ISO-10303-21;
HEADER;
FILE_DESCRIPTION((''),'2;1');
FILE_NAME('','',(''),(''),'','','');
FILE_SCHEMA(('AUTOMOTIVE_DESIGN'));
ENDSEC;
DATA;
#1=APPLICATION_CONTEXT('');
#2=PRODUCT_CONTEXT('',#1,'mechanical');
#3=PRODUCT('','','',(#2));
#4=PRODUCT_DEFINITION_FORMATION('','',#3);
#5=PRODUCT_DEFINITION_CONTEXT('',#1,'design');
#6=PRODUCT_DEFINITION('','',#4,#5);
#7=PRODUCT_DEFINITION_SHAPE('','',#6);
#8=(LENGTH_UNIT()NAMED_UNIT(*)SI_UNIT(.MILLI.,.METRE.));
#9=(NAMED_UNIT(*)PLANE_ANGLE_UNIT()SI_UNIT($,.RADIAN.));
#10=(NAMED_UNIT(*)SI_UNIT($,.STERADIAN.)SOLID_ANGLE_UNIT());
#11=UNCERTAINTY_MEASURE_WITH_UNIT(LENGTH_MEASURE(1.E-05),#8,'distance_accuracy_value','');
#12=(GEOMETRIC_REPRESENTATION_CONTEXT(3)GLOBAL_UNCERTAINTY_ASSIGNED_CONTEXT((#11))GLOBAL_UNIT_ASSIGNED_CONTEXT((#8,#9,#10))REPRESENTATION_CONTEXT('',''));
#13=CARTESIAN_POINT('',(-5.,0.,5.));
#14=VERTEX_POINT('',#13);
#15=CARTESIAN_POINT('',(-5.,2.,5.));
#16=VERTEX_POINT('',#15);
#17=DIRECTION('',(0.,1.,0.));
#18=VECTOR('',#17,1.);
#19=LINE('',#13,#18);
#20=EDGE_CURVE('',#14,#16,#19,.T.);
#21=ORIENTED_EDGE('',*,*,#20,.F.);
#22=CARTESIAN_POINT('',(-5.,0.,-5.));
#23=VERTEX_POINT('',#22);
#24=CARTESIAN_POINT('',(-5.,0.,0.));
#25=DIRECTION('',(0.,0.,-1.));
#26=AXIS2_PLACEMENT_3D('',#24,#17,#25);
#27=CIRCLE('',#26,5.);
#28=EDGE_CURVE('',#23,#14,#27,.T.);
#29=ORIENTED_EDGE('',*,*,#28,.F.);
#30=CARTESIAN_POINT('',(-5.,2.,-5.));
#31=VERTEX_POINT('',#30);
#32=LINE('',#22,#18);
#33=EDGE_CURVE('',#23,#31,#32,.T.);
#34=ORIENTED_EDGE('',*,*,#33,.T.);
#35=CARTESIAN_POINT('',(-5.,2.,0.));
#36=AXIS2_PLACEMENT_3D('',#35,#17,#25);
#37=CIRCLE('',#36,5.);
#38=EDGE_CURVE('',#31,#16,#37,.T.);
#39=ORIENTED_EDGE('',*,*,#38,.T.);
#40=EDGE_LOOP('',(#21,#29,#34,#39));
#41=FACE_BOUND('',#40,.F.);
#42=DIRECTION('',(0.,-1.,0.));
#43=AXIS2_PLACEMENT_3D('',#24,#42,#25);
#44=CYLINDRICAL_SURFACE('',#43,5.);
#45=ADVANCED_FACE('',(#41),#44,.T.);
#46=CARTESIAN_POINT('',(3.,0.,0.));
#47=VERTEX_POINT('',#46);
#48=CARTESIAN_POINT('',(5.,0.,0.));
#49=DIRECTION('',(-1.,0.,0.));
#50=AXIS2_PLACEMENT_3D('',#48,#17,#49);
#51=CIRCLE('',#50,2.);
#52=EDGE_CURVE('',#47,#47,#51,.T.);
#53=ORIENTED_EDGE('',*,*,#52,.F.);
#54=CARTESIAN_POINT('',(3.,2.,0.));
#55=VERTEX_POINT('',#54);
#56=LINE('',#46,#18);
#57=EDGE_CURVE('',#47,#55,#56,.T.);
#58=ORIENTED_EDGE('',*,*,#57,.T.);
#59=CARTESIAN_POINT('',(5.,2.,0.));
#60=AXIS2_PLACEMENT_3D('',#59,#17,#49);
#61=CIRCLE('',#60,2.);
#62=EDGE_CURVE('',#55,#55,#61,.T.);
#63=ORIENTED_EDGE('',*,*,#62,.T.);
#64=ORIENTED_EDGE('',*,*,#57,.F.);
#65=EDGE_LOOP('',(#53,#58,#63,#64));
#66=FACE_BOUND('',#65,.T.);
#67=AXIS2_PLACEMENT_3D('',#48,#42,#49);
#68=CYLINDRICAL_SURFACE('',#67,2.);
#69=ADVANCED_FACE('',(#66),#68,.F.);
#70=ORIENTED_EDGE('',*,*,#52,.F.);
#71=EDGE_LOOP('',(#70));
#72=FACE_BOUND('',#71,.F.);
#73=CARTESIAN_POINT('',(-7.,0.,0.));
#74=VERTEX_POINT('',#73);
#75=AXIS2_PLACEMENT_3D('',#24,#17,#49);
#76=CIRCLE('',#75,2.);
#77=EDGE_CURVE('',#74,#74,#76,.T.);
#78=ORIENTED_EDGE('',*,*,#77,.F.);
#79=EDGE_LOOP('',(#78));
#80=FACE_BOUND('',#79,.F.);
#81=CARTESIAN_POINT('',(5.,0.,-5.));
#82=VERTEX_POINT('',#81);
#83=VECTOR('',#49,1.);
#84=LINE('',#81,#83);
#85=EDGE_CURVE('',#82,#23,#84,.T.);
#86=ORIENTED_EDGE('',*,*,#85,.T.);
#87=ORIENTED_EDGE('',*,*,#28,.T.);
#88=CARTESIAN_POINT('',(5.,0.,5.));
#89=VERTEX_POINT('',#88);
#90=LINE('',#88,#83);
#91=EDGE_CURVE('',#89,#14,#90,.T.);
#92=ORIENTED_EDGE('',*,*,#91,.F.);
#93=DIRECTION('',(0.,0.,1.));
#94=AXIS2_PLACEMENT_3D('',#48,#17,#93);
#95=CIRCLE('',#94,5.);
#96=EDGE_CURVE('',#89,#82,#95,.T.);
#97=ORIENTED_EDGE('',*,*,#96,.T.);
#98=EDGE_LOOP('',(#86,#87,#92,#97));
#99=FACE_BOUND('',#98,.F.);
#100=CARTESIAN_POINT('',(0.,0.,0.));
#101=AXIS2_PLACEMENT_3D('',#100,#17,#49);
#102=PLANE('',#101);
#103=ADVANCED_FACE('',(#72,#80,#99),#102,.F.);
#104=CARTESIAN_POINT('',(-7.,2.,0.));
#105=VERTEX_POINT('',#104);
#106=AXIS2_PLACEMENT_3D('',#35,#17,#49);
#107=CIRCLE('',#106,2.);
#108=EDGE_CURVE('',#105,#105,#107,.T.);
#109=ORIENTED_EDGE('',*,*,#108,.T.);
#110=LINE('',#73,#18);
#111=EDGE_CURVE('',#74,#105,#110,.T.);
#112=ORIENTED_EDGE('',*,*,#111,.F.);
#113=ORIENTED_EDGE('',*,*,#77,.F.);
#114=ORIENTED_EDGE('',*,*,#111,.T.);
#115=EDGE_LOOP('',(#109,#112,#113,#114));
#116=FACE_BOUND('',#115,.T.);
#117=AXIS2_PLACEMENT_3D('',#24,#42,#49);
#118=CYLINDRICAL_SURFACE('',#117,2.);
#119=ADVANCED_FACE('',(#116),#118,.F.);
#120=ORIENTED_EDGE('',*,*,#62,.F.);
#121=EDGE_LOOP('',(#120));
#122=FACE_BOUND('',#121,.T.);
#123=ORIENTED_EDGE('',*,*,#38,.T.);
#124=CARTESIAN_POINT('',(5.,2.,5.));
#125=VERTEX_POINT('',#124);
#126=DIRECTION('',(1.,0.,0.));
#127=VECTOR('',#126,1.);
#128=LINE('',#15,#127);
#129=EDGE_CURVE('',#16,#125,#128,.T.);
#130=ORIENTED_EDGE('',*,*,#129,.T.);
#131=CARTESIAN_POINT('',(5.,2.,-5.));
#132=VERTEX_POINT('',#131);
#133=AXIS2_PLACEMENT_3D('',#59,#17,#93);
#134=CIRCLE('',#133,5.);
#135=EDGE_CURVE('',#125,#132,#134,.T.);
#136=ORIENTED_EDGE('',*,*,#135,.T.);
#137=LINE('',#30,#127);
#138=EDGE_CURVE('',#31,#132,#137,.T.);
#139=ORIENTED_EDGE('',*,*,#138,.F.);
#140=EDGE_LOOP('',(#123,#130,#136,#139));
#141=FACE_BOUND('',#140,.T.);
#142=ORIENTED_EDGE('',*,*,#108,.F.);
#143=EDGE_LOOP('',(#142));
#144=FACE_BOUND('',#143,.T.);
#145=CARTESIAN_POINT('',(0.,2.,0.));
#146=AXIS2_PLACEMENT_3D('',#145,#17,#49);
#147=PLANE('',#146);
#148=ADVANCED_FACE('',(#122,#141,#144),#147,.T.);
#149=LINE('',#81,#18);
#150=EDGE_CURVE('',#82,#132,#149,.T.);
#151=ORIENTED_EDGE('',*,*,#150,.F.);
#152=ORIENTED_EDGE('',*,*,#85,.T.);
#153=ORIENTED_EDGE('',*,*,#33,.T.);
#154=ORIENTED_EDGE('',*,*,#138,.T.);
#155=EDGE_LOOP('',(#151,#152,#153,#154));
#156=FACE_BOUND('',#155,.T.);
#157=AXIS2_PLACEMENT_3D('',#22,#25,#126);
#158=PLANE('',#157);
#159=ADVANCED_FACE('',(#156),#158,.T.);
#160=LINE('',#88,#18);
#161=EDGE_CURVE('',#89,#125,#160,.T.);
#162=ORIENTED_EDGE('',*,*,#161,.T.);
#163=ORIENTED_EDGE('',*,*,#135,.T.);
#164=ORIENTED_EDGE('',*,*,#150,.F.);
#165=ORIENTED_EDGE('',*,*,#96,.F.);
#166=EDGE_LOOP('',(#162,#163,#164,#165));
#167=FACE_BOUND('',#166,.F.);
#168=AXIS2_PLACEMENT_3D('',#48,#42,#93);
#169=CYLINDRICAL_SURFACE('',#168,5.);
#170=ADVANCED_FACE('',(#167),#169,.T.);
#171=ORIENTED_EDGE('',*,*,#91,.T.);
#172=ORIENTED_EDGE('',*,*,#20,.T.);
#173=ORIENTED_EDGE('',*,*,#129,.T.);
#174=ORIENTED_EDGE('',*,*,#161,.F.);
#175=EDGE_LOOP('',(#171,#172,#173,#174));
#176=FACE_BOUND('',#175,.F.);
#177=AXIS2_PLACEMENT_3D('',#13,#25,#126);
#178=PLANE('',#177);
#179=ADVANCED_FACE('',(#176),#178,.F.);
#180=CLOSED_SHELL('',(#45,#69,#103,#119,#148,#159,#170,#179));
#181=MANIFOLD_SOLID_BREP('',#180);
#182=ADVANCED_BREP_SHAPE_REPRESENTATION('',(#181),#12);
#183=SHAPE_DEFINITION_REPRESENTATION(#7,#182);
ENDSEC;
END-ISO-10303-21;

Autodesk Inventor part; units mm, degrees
ref_plane "YZ Plane" through (0, 0, 0) normal (1, 0, 0) x (0, 1, 0)
ref_plane "XZ Plane" through (0, 0, 0) normal (0, 1, 0) x (-1, 0, 0)
ref_plane "XY Plane" through (0, 0, 0) normal (0, 0, 1) x (1, 0, 0)
sketch "Sketch1" plane through (0, 0, 0) normal (0, 1, 0) x (-1, 0, 0)
  arc A0 (5, -5) -> (5, 5) centre (5, 0) ccw
  arc A1 (-5, 5) -> (-5, -5) centre (-5, 0) ccw
  line L0 (0, -7) -> (0, 7) projected
  line L1 (5, -5) -> (-5, -5)
  line L2 (5, 5) -> (-5, 5)
  circle A2 centre (5, 0) radius 2
  circle A3 centre (-5, 0) radius 2
  point P0 (0, 0)
  point P1 (-10, 0)
  point P2 (10, 0)
  dimension "d0" = 10
  dimension "d1" = 4
  dimension "d3" = 20
extrude "Extrusion1" add sketch "Sketch1" along normal blind 2
properties part number "T Slot Nut"
